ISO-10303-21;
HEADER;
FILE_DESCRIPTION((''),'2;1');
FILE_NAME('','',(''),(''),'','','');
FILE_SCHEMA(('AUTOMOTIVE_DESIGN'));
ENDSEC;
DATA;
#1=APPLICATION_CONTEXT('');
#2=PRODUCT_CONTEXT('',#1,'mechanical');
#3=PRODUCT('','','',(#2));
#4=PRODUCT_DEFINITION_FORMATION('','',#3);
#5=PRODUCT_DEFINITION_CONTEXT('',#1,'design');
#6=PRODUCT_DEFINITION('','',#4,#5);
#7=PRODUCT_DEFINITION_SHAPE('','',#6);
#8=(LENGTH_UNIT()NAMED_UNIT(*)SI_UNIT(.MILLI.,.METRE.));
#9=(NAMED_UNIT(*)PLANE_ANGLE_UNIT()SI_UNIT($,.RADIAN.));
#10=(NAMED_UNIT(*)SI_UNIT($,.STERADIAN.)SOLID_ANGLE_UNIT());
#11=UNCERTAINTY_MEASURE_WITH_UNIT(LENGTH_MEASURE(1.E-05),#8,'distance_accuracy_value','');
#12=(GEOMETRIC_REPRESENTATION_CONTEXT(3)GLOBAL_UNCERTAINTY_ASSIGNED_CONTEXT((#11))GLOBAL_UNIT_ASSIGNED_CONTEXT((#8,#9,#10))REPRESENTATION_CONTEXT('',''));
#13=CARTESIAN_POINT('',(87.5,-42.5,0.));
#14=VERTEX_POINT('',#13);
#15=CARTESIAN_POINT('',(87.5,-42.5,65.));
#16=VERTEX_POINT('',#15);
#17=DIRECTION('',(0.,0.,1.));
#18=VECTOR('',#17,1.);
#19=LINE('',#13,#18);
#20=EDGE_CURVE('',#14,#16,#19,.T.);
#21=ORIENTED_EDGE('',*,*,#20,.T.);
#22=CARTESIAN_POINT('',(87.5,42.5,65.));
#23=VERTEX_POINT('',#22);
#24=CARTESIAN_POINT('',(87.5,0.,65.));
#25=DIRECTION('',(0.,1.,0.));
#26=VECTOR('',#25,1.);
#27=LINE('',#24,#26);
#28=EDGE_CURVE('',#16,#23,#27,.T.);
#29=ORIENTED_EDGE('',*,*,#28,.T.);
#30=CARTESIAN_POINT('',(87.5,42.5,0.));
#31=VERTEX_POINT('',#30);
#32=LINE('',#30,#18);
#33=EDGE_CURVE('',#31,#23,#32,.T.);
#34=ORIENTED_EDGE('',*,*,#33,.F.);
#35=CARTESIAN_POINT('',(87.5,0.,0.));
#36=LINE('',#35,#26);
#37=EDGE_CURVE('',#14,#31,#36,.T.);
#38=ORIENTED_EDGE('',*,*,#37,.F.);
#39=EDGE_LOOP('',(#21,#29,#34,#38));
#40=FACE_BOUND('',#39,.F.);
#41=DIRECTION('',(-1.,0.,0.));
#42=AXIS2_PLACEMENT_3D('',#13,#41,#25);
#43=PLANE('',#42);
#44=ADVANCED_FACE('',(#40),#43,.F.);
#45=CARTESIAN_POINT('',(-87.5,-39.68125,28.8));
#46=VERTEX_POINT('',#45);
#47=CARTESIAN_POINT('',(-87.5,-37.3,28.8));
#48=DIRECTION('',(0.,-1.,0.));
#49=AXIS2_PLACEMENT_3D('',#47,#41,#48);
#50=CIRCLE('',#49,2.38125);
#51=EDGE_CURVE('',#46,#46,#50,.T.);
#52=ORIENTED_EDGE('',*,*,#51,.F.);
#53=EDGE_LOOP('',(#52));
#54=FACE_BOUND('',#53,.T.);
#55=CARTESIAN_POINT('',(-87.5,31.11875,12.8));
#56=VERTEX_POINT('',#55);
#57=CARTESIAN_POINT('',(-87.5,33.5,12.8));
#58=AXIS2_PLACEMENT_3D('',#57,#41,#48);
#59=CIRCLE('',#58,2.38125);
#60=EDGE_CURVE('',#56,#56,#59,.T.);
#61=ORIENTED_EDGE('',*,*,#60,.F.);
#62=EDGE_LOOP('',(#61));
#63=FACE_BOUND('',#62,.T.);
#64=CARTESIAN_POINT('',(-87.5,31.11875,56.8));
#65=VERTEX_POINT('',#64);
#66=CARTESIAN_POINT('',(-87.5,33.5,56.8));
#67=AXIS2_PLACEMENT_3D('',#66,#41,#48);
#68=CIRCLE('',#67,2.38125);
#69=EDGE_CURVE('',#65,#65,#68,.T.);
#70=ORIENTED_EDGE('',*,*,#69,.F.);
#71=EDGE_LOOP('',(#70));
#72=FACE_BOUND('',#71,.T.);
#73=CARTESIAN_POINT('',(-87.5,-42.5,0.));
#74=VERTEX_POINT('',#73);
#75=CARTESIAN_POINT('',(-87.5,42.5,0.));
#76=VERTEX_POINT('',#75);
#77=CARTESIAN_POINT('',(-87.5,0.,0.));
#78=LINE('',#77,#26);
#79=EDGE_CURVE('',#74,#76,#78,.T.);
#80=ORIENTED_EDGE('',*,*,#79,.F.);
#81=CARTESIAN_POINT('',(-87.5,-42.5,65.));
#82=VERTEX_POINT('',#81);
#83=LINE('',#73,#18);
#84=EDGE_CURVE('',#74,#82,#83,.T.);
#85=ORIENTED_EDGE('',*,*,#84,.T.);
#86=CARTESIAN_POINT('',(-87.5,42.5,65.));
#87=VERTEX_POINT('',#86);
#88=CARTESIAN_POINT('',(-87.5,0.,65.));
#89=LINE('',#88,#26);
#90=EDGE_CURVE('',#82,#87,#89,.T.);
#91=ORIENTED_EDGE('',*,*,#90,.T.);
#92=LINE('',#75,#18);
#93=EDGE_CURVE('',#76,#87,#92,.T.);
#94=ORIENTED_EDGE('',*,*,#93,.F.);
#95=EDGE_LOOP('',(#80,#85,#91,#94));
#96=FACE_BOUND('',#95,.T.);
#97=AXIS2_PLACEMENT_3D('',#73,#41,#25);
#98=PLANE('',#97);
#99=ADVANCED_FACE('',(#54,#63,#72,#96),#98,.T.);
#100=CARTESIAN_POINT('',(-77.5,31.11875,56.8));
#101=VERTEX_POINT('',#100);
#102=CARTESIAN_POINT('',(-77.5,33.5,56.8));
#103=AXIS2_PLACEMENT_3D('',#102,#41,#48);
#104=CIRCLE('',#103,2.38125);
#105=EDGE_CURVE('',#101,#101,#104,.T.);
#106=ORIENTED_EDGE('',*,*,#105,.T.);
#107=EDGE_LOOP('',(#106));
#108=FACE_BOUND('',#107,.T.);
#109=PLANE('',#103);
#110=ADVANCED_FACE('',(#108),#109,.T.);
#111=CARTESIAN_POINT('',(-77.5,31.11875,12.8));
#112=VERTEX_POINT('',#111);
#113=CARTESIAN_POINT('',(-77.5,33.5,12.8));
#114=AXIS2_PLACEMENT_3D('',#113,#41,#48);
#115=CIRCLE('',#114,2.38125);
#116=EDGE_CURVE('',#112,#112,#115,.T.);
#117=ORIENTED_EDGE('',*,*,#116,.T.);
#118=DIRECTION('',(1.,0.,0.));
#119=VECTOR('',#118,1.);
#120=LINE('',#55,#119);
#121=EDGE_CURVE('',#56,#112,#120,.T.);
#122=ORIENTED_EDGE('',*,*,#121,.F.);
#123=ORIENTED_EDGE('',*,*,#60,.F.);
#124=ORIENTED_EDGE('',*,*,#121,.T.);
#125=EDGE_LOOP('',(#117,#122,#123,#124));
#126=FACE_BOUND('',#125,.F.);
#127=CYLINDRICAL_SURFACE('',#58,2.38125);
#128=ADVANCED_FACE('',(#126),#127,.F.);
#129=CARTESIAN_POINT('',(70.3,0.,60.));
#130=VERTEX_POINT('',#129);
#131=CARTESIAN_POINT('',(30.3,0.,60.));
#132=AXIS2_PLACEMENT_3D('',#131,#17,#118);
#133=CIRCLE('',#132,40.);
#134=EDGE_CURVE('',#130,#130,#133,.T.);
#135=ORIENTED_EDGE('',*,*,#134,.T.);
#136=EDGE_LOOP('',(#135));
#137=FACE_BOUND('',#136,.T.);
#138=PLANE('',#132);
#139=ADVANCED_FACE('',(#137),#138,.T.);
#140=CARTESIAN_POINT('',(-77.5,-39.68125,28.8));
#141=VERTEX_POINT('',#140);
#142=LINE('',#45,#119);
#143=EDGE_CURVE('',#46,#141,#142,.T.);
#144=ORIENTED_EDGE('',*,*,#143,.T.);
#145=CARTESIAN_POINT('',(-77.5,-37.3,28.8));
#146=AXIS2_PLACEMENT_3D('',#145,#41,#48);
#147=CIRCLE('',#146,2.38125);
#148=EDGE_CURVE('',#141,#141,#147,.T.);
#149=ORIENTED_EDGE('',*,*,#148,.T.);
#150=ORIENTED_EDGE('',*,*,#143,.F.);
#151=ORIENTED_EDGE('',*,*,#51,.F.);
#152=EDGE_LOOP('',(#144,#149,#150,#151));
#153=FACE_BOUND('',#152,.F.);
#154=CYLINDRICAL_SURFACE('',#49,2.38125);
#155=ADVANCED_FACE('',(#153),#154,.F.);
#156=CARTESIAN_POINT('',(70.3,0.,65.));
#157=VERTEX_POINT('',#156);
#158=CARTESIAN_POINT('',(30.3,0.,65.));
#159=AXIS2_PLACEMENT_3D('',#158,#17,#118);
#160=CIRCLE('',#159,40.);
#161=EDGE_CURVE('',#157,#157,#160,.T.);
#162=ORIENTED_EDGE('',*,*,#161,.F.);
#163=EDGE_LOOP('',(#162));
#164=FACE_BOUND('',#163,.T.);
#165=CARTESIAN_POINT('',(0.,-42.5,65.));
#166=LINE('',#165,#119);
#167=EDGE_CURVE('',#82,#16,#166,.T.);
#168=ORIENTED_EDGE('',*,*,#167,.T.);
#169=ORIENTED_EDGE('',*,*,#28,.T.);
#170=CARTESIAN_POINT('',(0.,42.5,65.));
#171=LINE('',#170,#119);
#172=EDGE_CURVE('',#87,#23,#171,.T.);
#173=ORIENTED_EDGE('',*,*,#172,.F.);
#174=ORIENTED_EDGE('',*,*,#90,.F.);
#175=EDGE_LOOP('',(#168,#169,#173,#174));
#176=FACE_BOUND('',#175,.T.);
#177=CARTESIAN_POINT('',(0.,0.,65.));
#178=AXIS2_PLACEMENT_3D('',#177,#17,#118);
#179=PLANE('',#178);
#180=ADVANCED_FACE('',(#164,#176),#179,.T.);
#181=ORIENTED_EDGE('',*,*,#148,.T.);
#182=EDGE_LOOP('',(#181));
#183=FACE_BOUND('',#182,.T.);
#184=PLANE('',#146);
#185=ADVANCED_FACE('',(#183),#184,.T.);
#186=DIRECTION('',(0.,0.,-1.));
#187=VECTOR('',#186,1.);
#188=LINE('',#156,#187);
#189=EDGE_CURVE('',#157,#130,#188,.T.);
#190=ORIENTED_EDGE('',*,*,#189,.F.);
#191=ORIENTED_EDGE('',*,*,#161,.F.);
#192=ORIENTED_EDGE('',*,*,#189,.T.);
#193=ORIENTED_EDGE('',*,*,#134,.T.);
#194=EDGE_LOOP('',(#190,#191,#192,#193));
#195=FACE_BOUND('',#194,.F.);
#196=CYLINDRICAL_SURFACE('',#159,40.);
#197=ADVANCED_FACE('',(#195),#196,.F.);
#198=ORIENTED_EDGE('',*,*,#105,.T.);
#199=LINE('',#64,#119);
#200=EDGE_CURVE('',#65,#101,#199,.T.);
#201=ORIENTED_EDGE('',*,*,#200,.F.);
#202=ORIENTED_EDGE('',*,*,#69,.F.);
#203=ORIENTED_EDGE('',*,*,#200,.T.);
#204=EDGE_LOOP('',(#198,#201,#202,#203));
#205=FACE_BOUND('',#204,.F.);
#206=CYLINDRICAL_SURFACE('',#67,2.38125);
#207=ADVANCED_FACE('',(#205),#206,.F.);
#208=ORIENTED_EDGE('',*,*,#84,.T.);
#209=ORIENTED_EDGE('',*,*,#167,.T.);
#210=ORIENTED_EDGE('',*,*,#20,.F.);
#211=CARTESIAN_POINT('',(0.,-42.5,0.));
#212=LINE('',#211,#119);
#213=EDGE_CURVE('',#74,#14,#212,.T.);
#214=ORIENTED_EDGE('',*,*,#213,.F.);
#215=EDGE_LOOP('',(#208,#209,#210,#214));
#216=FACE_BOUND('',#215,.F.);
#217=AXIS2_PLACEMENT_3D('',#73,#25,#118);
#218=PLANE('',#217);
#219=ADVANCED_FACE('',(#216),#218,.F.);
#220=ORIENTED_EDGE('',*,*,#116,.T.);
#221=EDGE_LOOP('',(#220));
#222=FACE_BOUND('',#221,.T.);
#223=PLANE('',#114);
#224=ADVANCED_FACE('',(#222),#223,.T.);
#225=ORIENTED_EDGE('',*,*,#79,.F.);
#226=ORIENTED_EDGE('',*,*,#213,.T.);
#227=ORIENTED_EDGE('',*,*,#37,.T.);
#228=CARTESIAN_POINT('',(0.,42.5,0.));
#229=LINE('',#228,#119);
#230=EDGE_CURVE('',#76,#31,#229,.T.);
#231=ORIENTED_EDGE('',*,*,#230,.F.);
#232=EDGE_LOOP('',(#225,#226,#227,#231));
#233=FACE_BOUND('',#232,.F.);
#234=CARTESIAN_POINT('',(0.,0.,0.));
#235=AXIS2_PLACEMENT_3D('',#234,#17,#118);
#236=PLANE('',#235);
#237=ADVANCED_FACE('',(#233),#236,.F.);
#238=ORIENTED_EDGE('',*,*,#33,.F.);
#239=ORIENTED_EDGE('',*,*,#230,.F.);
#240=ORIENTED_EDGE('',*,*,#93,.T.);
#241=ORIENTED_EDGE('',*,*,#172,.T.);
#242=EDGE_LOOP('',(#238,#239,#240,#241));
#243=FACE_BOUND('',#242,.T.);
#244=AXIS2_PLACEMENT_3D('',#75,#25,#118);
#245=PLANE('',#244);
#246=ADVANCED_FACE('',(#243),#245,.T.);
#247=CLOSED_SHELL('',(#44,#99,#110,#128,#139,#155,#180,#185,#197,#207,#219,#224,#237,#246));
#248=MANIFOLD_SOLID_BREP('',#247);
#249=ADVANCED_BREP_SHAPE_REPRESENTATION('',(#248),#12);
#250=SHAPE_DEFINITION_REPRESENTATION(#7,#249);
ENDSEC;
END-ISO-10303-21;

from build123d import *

# Parameters (mm, degrees)
F0_W     = 175
F0_H     = 85
F1_DEPTH = 65
F2_R     = 40
F3_DEPTH = 5
F4_R     = 2.38125
F5_DEPTH = 10


with BuildPart() as f1:
    # F0 (on Top) → F1 (new body)
    with BuildSketch(Plane.XY):
        Rectangle(F0_W, F0_H)
    extrude(amount=F1_DEPTH)

    # F2 (on face) → F3 (cut)
    with BuildSketch(Plane.XY.offset(65)):
        with Locations((30.3, 0)):
            Circle(F2_R)
    extrude(amount=-F3_DEPTH, mode=Mode.SUBTRACT)

    # F4 (on face) → F5 (cut)
    with BuildSketch(Plane(origin=(-87.5, 0, 0), x_dir=(0, -1, 0), z_dir=(-1, 0, 0))):
        with Locations((-33.5, 12.8)):
            Circle(F4_R)
        with Locations((-33.5, 56.8)):
            Circle(F4_R)
        with Locations((37.3, 28.8)):
            Circle(F4_R)
    extrude(amount=-F5_DEPTH, mode=Mode.SUBTRACT)


solid = f1.part
